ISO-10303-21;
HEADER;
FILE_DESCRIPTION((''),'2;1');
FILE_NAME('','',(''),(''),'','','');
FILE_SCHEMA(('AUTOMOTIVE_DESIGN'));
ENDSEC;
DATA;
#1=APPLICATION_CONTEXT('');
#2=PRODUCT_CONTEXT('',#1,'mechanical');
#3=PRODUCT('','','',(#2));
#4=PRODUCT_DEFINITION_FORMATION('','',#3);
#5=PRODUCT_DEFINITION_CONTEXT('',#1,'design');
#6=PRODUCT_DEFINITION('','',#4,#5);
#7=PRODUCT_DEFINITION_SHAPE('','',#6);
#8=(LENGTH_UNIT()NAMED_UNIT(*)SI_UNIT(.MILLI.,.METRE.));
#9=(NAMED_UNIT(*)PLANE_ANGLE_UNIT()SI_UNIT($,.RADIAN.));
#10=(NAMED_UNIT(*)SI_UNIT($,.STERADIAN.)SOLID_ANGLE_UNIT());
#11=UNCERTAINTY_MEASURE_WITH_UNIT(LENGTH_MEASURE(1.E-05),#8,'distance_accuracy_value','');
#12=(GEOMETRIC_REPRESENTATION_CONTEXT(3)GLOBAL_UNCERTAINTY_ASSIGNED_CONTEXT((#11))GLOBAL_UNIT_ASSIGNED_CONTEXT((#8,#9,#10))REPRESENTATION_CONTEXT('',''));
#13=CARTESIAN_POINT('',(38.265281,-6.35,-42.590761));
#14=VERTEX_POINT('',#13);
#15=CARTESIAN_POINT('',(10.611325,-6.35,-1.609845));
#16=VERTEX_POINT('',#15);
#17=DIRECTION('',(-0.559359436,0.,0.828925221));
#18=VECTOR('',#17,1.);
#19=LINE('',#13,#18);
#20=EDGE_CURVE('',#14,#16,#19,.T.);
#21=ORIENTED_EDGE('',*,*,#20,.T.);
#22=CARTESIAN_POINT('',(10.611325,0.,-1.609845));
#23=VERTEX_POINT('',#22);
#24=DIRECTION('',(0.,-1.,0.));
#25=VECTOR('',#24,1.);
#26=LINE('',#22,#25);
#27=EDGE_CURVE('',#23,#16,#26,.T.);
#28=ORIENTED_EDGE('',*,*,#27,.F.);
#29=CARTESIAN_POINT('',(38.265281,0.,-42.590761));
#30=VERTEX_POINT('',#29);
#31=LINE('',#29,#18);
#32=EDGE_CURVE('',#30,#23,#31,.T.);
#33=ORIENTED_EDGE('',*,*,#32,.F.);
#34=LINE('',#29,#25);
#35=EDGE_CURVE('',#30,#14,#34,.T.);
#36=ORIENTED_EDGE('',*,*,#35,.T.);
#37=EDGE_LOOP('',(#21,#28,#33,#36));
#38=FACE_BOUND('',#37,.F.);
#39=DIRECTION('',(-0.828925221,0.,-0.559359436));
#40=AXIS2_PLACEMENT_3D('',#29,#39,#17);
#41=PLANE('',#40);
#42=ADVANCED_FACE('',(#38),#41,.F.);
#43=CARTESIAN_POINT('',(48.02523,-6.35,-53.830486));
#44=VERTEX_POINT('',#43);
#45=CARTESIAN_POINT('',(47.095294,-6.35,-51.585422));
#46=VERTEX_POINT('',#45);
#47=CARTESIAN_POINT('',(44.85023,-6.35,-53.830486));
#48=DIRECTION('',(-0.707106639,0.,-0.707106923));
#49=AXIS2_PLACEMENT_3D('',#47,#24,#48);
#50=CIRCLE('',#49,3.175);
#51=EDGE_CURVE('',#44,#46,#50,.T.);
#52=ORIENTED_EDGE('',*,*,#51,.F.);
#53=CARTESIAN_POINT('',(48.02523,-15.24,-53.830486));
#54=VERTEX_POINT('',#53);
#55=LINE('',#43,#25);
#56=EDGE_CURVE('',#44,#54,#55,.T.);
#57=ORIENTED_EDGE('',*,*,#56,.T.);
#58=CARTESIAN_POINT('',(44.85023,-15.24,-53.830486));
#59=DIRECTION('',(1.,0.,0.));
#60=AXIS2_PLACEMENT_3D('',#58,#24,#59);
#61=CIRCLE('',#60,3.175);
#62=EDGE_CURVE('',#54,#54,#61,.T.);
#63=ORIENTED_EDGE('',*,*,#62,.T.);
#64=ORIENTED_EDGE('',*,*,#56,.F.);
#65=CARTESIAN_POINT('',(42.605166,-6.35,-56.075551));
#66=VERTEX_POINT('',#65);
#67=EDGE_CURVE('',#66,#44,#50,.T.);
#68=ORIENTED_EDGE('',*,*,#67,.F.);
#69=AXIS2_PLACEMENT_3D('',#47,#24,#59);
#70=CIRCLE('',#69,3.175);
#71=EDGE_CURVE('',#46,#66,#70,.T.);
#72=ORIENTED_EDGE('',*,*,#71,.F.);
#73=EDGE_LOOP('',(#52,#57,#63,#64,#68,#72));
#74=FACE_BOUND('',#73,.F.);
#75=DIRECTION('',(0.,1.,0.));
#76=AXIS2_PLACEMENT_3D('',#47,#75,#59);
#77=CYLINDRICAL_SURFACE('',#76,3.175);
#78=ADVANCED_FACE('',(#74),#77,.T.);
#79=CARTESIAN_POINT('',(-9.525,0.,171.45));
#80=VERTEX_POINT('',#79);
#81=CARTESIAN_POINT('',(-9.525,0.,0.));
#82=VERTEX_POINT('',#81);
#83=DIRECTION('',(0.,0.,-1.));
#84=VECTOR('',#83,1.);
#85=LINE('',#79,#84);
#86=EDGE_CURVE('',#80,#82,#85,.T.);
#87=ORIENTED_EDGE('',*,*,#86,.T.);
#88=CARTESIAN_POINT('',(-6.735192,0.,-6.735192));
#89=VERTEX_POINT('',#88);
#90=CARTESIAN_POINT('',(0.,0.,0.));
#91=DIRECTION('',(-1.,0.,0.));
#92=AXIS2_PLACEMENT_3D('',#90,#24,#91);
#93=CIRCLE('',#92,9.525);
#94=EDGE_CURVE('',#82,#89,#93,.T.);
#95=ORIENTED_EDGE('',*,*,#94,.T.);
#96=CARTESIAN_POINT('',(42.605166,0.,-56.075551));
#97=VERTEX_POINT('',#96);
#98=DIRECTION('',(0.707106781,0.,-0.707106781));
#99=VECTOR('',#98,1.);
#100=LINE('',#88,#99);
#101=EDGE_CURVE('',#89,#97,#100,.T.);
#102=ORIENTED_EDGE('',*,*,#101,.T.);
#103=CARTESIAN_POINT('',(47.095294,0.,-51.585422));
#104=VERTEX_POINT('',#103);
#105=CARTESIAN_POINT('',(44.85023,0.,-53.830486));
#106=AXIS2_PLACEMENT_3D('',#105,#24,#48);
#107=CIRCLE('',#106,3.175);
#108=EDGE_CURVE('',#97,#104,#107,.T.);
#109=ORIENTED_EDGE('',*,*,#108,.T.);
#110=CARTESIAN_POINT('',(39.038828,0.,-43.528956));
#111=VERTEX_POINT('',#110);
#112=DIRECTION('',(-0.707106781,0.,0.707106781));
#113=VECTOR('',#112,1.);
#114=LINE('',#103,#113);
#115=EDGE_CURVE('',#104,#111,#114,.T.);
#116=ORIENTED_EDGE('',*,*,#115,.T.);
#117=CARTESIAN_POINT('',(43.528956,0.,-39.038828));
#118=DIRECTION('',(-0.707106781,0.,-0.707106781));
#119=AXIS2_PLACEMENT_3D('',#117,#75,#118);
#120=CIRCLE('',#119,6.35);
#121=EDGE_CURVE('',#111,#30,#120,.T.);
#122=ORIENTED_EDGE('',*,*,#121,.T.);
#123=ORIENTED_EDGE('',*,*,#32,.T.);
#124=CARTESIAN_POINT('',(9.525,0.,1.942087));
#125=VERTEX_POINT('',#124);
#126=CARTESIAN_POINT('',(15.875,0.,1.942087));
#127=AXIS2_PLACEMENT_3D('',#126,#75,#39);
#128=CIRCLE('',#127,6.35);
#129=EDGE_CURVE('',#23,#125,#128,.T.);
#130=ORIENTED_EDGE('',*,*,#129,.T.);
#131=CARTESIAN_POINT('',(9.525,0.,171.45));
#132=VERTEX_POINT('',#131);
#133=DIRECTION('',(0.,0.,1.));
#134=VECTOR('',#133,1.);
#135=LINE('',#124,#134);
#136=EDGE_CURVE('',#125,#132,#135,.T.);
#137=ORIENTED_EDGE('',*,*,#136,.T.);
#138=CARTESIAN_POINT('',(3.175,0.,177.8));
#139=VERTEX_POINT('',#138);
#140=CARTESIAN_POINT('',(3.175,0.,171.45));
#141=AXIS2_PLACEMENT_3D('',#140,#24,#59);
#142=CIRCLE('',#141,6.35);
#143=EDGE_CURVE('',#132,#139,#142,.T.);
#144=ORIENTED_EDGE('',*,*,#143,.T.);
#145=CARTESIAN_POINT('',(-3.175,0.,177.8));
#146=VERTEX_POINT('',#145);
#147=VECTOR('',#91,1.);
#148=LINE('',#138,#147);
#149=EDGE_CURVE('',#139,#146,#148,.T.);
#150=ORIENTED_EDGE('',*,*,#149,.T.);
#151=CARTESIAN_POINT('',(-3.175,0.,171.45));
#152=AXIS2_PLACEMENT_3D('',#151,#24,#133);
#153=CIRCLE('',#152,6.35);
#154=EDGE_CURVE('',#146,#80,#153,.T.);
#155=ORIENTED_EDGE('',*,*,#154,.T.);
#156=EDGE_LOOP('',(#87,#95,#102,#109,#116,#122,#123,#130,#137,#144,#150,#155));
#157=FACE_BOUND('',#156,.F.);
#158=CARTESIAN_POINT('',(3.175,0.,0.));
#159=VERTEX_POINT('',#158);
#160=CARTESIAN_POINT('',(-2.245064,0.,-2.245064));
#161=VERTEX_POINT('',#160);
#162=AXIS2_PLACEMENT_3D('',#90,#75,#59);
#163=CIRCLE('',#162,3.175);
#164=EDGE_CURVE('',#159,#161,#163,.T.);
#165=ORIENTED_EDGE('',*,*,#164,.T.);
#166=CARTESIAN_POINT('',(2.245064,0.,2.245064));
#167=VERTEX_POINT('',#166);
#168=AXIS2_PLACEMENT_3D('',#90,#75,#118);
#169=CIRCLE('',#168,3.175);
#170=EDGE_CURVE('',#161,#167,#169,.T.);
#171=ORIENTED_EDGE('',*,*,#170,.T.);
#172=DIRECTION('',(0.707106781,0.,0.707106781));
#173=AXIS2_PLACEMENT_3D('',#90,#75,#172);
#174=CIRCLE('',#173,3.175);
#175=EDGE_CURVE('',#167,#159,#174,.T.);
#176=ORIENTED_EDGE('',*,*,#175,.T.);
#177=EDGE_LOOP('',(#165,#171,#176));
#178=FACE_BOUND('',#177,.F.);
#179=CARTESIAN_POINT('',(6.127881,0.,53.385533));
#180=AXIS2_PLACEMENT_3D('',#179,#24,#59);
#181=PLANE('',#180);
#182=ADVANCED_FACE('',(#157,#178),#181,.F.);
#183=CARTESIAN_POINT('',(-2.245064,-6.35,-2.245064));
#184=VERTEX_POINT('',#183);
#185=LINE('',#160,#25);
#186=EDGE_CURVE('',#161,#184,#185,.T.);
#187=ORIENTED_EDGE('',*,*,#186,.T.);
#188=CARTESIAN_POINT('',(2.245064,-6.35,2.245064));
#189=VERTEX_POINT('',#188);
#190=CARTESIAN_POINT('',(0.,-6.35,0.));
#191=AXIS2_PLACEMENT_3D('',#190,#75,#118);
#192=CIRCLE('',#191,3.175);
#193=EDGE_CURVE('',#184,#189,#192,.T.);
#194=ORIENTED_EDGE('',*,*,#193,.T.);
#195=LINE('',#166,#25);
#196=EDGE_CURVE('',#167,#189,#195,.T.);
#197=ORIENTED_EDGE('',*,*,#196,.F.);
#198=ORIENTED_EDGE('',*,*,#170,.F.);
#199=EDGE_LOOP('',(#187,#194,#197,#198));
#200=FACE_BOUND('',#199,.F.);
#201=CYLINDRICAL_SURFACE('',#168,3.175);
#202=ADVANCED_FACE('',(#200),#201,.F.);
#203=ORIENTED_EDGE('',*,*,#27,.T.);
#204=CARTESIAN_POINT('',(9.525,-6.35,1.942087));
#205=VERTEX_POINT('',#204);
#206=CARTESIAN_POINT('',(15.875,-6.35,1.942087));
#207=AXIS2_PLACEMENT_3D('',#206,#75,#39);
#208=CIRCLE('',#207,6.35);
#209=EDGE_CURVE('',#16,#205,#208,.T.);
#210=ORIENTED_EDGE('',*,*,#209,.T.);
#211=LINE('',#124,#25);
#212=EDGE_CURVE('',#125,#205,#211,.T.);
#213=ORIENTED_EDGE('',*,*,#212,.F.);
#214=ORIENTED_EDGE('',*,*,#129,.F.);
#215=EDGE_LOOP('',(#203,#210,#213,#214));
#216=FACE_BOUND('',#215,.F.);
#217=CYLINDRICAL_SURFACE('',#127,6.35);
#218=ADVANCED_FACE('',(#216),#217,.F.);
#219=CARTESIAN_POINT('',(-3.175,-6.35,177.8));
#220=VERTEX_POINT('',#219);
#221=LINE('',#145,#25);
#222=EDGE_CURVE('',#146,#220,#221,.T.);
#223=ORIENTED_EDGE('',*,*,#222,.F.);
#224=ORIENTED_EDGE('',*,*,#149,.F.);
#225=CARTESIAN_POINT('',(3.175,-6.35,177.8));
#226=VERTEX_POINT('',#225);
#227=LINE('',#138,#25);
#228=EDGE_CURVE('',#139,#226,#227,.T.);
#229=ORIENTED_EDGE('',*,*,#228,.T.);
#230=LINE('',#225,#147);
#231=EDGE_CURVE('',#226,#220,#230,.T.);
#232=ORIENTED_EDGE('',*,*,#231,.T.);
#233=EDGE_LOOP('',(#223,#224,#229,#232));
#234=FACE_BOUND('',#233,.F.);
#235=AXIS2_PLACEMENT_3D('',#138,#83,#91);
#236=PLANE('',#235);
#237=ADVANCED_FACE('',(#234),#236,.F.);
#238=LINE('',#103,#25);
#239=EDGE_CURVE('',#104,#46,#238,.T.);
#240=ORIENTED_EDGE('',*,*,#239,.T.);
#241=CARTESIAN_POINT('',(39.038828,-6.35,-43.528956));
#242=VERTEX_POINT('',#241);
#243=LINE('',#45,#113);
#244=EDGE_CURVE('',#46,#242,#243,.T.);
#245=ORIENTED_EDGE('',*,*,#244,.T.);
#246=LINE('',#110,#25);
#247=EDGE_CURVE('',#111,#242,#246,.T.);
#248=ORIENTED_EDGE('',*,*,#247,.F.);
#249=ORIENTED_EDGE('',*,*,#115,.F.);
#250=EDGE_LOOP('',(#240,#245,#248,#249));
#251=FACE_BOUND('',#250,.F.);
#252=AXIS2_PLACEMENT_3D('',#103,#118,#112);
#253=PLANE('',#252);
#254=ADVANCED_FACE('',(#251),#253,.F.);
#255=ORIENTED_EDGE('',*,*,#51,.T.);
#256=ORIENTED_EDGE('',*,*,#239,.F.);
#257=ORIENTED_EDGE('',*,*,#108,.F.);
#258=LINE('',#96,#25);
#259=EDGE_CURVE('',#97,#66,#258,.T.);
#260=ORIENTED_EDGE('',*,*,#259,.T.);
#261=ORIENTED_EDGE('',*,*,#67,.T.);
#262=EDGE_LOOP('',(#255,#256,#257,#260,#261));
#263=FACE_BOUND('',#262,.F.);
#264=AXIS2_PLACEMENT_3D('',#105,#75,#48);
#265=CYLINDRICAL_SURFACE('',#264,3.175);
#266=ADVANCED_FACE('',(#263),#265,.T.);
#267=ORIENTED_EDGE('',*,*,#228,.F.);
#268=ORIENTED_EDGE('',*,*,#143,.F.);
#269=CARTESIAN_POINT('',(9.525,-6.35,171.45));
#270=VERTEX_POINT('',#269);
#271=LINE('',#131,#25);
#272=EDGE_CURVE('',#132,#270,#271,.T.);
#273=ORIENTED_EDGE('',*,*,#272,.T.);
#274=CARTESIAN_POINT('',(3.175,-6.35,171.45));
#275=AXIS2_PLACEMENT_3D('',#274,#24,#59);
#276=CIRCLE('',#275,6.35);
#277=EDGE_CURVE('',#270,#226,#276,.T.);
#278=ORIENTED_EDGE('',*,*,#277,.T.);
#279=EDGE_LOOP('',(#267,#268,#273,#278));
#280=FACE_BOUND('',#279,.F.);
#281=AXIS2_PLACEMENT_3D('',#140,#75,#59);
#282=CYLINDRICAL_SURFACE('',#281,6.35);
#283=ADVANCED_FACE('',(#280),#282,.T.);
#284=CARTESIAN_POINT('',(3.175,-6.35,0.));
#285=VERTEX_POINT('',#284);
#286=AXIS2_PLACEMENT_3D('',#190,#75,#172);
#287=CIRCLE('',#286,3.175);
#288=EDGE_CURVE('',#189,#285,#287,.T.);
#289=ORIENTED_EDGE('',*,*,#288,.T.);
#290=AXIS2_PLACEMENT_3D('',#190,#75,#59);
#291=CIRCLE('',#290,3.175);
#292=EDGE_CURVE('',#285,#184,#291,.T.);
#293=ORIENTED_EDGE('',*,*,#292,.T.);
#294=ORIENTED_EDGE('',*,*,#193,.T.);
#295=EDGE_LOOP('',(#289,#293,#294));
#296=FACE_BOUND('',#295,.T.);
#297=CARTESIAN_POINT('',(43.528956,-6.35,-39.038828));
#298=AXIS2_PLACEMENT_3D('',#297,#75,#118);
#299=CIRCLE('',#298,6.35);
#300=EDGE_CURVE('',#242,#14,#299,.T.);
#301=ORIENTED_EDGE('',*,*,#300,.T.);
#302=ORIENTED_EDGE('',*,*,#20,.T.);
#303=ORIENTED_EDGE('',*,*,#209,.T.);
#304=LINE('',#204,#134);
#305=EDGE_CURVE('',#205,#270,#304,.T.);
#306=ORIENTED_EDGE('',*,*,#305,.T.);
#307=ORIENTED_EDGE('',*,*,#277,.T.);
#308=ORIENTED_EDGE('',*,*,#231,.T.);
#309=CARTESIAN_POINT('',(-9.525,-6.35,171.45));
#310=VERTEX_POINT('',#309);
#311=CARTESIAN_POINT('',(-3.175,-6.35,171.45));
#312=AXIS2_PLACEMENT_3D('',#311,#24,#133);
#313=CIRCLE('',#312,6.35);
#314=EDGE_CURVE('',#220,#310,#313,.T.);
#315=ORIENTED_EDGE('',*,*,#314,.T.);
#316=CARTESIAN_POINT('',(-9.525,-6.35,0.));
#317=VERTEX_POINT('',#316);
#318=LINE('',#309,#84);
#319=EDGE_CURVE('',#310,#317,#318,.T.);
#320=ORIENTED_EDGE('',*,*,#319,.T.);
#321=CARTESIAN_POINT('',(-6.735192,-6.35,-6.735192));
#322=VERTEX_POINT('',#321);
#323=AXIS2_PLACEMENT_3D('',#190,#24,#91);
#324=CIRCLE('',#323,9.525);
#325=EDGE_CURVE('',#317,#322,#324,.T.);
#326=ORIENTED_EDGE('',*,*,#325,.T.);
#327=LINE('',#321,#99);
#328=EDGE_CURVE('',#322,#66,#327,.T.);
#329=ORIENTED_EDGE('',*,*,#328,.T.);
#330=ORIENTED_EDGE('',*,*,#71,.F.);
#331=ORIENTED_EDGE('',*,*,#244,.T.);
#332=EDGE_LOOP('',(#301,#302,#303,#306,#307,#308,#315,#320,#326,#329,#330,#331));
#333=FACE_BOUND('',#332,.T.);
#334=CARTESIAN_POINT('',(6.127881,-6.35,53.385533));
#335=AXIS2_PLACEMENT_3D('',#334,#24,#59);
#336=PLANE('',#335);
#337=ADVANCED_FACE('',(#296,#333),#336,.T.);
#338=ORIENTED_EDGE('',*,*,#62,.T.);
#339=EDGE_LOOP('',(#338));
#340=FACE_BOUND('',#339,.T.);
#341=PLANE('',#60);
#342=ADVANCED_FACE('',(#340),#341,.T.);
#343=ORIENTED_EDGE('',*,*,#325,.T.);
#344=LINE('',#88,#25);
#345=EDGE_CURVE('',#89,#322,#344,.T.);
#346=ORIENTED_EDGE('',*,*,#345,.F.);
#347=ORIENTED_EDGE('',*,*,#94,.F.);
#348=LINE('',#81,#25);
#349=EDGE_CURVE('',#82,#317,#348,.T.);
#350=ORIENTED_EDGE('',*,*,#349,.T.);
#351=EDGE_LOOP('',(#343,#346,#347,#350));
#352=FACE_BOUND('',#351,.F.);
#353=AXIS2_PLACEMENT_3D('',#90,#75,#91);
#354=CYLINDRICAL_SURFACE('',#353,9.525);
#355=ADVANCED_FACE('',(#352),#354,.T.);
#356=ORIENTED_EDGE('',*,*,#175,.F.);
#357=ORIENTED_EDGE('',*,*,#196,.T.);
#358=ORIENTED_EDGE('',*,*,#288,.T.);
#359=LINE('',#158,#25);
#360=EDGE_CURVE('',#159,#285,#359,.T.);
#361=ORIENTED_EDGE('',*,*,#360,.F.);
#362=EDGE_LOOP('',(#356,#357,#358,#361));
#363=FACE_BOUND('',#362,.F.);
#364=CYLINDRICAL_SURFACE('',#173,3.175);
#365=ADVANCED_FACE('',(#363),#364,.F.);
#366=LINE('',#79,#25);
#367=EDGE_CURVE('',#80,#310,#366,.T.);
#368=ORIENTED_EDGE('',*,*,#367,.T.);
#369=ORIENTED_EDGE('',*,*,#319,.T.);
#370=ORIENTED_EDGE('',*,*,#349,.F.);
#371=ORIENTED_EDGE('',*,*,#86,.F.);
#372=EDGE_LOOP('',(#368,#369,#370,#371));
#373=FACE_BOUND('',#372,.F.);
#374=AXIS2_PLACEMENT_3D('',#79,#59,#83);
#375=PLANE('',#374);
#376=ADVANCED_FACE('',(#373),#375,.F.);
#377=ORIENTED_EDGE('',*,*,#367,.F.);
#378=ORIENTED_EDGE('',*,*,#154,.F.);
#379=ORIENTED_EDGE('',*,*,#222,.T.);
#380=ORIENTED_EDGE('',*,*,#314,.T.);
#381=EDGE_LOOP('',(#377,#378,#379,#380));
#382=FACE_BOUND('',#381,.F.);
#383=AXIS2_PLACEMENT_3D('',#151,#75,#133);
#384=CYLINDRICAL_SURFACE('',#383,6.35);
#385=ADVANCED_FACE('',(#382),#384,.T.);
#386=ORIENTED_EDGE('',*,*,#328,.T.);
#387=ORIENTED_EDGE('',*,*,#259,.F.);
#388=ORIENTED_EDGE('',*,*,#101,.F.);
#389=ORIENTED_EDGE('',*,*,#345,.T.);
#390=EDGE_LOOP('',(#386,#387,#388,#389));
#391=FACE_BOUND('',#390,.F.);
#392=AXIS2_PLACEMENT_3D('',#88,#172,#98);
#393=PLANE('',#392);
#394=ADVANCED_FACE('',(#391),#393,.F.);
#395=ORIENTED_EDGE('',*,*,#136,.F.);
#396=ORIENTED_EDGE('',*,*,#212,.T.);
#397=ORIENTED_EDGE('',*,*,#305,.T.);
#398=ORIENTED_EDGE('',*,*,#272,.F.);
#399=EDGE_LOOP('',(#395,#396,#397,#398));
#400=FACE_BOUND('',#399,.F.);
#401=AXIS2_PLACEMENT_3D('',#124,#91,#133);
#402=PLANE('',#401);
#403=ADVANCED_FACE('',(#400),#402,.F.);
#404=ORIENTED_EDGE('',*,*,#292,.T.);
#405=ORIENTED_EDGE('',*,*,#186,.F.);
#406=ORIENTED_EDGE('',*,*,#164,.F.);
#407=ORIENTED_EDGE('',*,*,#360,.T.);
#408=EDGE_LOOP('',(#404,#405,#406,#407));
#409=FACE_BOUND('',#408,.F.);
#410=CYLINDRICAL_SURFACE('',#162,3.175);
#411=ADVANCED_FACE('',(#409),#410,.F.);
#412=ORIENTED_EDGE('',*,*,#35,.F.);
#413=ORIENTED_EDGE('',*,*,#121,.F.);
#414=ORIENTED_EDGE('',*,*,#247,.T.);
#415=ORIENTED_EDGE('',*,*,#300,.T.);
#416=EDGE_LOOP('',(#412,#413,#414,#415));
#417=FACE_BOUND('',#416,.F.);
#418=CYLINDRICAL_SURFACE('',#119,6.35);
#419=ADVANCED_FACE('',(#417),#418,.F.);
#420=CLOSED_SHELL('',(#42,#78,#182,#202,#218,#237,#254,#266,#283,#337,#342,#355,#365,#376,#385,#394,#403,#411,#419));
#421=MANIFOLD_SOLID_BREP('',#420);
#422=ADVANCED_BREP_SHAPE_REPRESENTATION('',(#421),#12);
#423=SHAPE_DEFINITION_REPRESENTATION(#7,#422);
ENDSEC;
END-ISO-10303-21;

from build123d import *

# Parameters (mm, degrees)
F1_DEPTH = 6.35
F2_R     = 3.175
F3_DEPTH = 8.89


with BuildPart() as f1:
    # F0 (on Front) → F1 (new body)
    with BuildSketch(Plane.XZ):
        with BuildLine():
            ThreePointArc((2.2450640303, 2.2450640303), (2.9333175157, 1.2150198978), (3.175, 0))
            ThreePointArc((3.175, 0), (1.2150198978, -2.9333175157), (-2.2450640303, -2.2450640303))
            Line((-2.2450640303, -2.2450640303), (-6.7351920908, -6.7351920908))
            Line((-6.7351920908, -6.7351920908), (42.6051664613, -56.0755506429))
            ThreePointArc((42.6051664613, -56.0755506429), (47.0952942961, -56.0755499657), (47.0952940704, -51.5854221309))
            Line((47.0952940704, -51.5854221309), (39.0388281543, -43.5289562148))
            ThreePointArc((39.0388281543, -43.5289562148), (38.6295458387, -43.0784169906), (38.2652810646, -42.5907605738))
            Line((38.2652810646, -42.5907605738), (10.6113248497, -1.6098451326))
            ThreePointArc((10.6113248497, -1.6098451326), (9.8026513109, 0.0849170206), (9.525, 1.9420872869))
            Line((9.525, 1.9420872869), (9.525, 171.45))
            ThreePointArc((9.525, 171.45), (7.6651280605, 175.9401280605), (3.175, 177.8))
            Line((3.175, 177.8), (-3.175, 177.8))
            ThreePointArc((-3.175, 177.8), (-7.6651280605, 175.9401280605), (-9.525, 171.45))
            Line((-9.525, 171.45), (-9.525, 0))
            ThreePointArc((-9.525, 0), (-3.6450596933, 8.7999525472), (6.7351920908, 6.7351920908))
            Line((6.7351920908, 6.7351920908), (2.2450640303, 2.2450640303))
        make_face()
        with BuildLine():
            ThreePointArc((-2.2450640303, -2.2450640303), (-2.2450640303, 2.2450640303), (2.2450640303, 2.2450640303))
            Line((2.2450640303, 2.2450640303), (6.7351920908, 6.7351920908))
            ThreePointArc((6.7351920908, 6.7351920908), (-3.6450596933, 8.7999525472), (-9.525, 0))
            ThreePointArc((-9.525, 0), (-8.7999525472, -3.6450596933), (-6.7351920908, -6.7351920908))
            Line((-6.7351920908, -6.7351920908), (-2.2450640303, -2.2450640303))
        make_face()
    extrude(amount=F1_DEPTH)

    # F2 (on face) → F3 (join)
    with BuildSketch(Plane.XZ.offset(6.35)):
        with Locations((44.8502300401, -53.8304861612)):
            Circle(F2_R)
    extrude(amount=F3_DEPTH)


solid = f1.part
